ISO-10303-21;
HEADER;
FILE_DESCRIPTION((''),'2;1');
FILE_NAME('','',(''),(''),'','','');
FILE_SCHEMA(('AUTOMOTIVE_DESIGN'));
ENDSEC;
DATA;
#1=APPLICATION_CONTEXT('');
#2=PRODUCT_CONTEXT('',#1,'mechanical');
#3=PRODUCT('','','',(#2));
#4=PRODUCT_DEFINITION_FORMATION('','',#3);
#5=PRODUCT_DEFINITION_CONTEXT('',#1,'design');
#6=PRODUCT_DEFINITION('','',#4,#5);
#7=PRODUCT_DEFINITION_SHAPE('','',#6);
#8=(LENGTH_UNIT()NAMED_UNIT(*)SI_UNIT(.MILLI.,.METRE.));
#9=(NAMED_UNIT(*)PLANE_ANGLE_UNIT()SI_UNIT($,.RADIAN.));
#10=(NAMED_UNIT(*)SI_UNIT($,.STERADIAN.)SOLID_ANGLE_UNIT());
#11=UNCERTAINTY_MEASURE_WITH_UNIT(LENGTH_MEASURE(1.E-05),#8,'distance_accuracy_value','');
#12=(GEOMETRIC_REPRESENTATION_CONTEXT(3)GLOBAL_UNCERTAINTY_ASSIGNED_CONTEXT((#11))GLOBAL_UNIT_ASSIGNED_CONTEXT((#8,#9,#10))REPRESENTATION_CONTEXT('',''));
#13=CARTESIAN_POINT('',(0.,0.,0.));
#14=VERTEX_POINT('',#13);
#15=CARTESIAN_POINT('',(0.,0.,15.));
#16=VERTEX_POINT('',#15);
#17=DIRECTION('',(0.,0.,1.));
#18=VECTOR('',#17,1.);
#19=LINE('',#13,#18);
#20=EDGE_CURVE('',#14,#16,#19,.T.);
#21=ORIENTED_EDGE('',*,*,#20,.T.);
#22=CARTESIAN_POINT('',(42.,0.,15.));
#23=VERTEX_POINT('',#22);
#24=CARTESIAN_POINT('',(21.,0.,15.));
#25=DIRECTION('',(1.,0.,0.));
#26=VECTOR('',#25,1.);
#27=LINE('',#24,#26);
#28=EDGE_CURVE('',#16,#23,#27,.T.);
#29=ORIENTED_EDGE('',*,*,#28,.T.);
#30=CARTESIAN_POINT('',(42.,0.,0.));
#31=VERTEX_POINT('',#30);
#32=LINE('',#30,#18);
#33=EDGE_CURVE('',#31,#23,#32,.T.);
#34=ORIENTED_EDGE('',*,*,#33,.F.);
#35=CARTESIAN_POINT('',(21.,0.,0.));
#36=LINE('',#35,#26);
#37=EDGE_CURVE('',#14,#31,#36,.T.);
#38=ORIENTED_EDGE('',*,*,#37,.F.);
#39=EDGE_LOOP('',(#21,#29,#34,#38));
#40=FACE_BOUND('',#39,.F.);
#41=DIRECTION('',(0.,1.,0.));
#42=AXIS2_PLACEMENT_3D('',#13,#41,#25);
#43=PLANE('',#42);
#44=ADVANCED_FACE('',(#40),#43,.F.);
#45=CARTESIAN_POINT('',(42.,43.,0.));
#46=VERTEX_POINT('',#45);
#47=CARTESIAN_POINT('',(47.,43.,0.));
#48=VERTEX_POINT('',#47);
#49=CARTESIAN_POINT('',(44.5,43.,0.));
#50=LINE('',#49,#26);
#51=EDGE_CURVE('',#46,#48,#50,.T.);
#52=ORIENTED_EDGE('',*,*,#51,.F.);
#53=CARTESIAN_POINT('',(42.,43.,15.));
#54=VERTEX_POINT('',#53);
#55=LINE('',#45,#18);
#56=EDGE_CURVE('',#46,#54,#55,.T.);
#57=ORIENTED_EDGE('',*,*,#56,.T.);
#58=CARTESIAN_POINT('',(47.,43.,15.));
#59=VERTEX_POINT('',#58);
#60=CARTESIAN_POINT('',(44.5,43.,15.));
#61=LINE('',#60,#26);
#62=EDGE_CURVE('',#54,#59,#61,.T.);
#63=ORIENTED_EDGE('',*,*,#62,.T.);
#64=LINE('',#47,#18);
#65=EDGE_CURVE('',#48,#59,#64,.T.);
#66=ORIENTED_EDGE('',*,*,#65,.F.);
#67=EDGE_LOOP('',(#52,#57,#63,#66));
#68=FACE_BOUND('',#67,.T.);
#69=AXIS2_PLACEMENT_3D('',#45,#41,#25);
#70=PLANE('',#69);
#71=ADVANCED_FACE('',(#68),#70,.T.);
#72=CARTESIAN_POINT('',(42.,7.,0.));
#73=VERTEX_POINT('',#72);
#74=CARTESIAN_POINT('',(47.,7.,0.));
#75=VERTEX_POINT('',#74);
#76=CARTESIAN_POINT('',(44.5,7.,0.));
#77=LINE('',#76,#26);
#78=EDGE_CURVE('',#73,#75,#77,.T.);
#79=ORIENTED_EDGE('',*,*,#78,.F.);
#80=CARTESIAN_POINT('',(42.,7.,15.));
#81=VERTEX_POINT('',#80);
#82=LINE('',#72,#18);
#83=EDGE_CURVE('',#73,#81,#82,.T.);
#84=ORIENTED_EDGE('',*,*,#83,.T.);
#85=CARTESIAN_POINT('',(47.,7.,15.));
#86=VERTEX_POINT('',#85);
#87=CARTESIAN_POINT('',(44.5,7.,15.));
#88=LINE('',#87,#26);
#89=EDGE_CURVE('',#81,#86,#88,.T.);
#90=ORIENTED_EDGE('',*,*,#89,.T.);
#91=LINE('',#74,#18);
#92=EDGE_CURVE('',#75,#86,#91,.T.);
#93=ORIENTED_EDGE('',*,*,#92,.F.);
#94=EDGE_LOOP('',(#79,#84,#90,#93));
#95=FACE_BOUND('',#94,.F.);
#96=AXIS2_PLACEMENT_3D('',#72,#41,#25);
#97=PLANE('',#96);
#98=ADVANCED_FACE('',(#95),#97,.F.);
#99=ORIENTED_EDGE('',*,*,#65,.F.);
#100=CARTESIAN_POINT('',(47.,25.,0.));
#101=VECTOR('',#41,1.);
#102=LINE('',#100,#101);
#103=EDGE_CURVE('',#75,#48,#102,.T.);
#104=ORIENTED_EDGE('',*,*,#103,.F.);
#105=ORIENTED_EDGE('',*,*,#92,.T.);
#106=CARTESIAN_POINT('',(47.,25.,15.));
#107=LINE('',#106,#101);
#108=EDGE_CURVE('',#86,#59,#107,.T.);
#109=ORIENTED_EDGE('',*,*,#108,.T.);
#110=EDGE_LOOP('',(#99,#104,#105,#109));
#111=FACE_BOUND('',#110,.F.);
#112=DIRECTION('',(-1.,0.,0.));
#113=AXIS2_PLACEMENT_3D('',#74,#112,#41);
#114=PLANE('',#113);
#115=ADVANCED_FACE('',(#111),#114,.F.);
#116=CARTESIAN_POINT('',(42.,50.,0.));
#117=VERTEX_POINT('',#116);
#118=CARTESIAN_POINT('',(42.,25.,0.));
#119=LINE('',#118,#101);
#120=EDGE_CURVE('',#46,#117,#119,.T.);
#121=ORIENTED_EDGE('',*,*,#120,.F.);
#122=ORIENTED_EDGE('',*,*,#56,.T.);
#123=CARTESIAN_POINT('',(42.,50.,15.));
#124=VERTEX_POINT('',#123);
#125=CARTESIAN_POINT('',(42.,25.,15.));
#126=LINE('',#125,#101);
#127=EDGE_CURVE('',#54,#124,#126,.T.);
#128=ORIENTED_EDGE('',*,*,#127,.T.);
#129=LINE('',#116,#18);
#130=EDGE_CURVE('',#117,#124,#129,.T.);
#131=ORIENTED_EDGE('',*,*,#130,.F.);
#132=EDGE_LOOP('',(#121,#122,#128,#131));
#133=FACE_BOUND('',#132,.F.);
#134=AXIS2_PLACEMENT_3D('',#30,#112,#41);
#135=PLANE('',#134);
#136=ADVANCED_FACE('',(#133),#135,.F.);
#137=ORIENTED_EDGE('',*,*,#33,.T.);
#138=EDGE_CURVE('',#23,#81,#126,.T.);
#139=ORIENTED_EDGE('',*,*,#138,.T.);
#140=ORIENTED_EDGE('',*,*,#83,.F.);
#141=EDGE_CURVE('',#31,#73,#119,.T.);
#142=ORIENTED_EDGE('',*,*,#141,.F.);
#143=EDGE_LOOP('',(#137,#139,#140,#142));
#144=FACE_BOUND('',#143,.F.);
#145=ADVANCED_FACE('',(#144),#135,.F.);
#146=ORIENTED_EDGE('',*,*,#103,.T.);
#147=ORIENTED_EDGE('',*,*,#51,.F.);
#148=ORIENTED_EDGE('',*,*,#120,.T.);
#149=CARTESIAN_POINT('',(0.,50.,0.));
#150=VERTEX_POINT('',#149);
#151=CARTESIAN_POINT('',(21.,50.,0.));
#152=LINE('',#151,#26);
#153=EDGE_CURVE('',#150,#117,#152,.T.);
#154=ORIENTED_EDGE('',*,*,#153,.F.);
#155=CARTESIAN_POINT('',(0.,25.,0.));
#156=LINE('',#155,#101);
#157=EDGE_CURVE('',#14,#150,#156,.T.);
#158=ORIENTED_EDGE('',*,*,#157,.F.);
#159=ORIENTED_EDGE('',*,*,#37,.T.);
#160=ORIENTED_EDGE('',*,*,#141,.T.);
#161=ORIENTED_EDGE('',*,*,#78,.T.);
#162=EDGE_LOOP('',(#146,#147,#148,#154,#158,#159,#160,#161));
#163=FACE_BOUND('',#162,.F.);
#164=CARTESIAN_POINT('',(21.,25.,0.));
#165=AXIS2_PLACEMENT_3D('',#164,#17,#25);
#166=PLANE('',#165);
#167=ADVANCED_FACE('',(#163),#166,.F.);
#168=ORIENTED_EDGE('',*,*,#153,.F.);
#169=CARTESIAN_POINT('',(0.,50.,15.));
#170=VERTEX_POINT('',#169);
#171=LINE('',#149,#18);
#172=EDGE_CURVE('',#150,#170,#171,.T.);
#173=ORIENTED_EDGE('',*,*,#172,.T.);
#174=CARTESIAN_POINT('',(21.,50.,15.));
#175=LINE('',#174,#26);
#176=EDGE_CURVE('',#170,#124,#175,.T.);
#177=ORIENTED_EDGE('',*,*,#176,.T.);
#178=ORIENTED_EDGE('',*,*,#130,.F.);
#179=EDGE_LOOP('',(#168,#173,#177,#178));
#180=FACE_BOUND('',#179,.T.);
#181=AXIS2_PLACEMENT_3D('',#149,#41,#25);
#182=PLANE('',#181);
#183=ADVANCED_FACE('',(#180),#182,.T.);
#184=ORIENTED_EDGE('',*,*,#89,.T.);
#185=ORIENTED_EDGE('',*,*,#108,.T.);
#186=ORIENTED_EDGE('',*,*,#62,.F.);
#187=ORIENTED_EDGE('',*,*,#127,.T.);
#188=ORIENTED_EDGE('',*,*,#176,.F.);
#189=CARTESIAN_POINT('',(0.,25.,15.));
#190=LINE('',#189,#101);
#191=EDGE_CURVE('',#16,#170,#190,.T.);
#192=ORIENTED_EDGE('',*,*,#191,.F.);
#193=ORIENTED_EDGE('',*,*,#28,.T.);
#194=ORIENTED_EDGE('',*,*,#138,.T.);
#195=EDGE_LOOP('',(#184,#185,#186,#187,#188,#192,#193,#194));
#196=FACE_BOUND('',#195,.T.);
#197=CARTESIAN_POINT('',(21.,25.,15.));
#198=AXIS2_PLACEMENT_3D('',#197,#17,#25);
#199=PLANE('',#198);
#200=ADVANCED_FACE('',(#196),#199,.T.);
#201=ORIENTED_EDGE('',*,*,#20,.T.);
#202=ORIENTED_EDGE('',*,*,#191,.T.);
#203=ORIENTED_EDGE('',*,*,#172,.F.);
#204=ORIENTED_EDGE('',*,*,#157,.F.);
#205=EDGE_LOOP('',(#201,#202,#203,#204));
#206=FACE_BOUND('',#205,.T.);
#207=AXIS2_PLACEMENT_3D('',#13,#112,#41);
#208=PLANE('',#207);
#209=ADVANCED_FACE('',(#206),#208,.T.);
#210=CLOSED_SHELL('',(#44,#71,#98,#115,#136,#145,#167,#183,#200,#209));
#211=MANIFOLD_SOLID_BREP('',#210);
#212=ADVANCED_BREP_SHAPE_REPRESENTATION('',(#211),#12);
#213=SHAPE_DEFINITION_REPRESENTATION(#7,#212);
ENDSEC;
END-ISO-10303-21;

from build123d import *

# Parameters (mm, degrees)
BOX007_W     = 42
BOX007_H     = 50
BOX007_DEPTH = 15
BOX008_W     = 5
BOX008_H     = 36
BOX008_DEPTH = 15


with BuildPart() as cube006:
    # Box007 → Box007 (new body)
    with BuildSketch(Plane.XY):
        with Locations((21, 25)):
            Rectangle(BOX007_W, BOX007_H)
    extrude(amount=BOX007_DEPTH)


with BuildPart() as usb_fusion:
    # Box008 → Box008 (new body)
    with BuildSketch(Plane(origin=(42, 7, 0), x_dir=(1, 0, 0), z_dir=(0, 0, 1))):
        with Locations((2.5, 18)):
            Rectangle(BOX008_W, BOX008_H)
    extrude(amount=BOX008_DEPTH)

    # Fusion001: union Cube006
    add(cube006.part)


solid = usb_fusion.part
